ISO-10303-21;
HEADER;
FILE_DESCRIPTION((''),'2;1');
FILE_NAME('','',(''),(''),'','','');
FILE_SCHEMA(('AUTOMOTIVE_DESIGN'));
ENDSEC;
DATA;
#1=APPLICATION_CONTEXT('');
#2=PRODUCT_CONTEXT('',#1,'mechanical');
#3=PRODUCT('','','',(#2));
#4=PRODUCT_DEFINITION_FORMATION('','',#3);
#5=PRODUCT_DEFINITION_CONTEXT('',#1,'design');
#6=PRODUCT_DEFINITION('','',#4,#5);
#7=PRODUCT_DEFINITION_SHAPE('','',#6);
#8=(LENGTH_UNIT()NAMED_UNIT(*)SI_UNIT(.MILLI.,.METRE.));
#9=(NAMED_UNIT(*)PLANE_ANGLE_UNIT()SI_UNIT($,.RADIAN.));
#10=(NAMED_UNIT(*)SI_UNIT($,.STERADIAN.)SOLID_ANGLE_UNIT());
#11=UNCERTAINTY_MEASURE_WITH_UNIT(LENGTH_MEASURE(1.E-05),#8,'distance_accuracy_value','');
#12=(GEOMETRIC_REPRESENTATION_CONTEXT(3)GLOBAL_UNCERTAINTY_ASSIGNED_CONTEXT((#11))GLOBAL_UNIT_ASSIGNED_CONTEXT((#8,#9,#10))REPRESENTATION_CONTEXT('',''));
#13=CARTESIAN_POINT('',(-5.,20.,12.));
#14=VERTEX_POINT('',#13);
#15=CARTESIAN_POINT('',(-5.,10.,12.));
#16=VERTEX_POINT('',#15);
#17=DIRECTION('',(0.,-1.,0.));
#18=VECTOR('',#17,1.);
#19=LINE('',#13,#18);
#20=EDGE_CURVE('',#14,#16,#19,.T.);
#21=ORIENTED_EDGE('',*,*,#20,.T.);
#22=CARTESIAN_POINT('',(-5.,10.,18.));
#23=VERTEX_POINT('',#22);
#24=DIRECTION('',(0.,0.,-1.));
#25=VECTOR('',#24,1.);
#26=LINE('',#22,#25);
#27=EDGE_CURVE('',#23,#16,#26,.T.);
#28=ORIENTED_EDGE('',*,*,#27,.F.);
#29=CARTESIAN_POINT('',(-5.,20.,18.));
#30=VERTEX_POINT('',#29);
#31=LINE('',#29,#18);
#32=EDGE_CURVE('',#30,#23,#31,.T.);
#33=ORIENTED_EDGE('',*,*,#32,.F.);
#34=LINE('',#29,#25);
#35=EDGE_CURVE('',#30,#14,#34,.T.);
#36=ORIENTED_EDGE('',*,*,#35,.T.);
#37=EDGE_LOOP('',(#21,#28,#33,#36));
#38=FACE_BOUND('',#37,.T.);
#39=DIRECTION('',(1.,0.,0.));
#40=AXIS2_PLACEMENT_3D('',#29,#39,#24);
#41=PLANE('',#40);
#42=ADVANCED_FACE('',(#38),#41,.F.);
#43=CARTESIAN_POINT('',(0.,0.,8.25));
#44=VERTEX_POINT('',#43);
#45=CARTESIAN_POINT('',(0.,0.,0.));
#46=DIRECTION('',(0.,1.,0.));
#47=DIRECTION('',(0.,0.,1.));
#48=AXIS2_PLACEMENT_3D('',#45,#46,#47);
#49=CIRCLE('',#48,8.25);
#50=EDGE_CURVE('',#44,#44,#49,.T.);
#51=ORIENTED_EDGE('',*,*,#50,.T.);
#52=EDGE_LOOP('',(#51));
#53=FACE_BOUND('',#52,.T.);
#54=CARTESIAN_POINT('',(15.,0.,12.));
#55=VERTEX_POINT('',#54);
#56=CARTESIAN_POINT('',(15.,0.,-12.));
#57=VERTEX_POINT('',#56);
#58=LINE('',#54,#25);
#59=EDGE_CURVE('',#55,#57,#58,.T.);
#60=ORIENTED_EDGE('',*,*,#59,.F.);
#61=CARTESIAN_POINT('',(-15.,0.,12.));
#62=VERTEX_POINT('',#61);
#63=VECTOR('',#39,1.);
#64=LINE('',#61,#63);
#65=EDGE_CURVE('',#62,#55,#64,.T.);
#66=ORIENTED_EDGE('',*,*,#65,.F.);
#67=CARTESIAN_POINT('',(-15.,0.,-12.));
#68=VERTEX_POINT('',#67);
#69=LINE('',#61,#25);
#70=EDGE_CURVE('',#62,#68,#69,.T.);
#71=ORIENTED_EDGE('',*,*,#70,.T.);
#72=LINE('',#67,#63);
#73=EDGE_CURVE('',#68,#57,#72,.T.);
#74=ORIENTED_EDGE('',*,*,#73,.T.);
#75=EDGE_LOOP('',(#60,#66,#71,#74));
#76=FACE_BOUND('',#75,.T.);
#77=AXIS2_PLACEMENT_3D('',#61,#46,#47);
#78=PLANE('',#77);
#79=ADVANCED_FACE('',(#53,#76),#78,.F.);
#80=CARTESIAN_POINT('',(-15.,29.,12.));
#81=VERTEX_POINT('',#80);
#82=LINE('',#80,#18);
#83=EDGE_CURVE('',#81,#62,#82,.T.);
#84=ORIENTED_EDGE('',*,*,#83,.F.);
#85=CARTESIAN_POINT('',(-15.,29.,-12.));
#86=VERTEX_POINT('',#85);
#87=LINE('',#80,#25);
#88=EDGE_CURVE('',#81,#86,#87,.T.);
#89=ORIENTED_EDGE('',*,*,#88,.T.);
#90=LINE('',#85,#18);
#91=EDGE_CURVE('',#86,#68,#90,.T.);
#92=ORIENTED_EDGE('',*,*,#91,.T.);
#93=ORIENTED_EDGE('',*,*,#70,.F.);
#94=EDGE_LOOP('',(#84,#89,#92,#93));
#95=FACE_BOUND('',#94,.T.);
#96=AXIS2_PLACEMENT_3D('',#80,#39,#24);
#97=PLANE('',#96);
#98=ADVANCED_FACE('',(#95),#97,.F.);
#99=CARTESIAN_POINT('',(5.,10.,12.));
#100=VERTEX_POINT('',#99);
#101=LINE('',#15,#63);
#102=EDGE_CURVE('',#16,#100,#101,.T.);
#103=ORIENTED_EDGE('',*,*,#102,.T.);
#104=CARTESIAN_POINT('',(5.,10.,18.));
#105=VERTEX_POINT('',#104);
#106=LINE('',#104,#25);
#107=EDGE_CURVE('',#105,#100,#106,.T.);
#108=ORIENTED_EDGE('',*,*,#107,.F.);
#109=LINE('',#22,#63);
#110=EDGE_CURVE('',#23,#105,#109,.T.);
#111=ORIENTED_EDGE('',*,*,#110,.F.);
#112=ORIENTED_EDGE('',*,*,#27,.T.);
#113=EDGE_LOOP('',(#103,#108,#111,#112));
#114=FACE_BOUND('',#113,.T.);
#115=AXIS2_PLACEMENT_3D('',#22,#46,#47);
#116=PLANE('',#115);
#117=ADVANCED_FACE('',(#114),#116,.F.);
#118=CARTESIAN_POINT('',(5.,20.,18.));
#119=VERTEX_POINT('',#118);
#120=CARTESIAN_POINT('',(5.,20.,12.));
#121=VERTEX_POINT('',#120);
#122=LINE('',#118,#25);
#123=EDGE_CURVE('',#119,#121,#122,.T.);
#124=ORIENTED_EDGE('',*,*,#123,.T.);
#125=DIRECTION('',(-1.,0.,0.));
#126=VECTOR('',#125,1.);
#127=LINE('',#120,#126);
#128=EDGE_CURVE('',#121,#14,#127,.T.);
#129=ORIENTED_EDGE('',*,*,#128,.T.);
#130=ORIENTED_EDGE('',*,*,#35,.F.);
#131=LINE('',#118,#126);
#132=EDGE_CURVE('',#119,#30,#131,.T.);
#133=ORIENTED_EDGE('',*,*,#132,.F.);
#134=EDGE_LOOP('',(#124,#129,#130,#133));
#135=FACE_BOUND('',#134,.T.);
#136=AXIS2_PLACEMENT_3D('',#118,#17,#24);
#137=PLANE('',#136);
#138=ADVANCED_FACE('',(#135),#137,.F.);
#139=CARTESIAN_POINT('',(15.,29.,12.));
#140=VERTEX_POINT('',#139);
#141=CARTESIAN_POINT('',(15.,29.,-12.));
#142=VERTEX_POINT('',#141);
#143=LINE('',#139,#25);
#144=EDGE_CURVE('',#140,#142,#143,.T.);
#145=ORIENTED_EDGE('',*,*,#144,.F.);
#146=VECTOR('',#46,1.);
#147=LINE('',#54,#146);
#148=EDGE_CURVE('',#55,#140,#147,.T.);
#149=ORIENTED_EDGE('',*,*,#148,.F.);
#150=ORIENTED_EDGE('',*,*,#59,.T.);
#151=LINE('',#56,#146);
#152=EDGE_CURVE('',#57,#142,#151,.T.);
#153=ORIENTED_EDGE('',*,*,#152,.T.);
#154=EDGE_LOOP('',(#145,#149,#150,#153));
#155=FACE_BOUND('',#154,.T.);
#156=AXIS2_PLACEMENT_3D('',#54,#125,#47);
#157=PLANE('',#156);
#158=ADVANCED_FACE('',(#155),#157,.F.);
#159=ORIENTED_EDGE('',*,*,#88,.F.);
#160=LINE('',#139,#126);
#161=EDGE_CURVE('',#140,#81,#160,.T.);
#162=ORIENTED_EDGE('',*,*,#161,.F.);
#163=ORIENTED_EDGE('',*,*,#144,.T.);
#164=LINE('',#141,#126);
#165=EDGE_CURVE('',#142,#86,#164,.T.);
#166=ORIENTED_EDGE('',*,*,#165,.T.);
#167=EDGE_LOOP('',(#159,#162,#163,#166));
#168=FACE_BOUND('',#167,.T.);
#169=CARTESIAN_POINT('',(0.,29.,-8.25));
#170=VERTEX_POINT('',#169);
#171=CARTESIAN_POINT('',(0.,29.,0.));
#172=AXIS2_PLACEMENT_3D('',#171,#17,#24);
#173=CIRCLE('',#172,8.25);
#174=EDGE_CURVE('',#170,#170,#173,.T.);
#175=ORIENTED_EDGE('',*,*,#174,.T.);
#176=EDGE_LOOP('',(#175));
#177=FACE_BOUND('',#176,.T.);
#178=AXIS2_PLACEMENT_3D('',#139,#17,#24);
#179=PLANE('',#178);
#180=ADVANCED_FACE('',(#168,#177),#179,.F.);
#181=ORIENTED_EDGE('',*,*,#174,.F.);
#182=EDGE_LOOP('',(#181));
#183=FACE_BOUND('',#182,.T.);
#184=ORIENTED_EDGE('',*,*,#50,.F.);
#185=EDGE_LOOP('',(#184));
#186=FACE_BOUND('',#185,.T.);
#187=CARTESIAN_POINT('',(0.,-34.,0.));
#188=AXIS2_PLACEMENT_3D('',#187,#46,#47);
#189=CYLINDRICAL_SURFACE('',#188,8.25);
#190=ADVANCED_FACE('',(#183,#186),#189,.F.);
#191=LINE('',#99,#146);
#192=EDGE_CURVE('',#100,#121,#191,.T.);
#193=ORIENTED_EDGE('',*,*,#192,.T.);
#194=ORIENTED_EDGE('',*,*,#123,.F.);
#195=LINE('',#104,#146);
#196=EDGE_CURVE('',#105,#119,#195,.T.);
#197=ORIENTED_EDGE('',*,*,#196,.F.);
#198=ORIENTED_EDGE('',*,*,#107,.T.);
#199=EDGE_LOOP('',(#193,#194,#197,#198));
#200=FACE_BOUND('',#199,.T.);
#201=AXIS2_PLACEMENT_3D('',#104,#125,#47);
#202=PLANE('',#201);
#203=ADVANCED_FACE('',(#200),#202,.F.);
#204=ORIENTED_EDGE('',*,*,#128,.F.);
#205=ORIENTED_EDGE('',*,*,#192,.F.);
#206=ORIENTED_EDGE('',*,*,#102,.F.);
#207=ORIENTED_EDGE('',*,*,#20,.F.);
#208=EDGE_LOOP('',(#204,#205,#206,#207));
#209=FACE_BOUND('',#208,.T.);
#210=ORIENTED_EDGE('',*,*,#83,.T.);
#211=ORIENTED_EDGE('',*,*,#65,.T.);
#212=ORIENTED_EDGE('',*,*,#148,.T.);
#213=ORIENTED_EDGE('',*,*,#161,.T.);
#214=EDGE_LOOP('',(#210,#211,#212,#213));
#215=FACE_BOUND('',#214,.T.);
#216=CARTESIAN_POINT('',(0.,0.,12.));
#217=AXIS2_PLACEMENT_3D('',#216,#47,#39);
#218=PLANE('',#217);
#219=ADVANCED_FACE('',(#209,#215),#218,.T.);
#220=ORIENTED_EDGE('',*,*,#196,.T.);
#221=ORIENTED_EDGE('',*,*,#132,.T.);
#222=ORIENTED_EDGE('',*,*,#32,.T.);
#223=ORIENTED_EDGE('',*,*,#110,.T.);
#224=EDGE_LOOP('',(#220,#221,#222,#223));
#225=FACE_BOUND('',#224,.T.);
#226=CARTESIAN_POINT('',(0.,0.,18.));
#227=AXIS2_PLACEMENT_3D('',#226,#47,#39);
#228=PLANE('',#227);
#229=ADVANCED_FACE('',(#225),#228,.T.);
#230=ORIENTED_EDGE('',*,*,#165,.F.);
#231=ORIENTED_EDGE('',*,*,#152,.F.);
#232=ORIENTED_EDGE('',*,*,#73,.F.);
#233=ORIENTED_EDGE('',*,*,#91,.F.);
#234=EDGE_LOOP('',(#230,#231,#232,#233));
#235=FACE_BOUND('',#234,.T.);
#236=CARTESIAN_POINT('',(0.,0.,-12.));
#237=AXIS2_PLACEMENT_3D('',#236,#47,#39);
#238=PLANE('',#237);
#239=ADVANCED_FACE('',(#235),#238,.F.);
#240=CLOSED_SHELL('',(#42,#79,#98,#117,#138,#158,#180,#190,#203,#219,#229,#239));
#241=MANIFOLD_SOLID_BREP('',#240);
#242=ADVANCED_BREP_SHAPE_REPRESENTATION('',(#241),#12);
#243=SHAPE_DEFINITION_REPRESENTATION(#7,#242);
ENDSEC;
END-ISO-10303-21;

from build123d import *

# Parameters (mm, degrees)
SKETCH1_W           = 30
SKETCH1_H           = 29
BOSS_EXTRUDE1_DEPTH = 12
SKETCH2_R           = 8.25
CUT_EXTRUDE1_DEPTH  = 34
BOSS_EXTRUDE2_START = 12
SKETCH3_W           = 10
SKETCH3_H           = 10
BOSS_EXTRUDE2_DEPTH = 6


with BuildPart() as part:
    # Sketch1 → Boss-Extrude1 (new, symmetric)
    with BuildSketch(Plane.XY):
        with Locations((0, 14.5)):
            Rectangle(SKETCH1_W, SKETCH1_H)
    extrude(amount=BOSS_EXTRUDE1_DEPTH, both=True)

    # Sketch2 → Cut-Extrude1 (cut, symmetric)
    with BuildSketch(Plane(origin=(0, 0, 0), x_dir=(1, 0, 0), z_dir=(0, 1, 0))):
        with Locations(Location((0, 0, 0), (0, 0, 270))):
            Circle(SKETCH2_R)
    extrude(amount=CUT_EXTRUDE1_DEPTH, both=True, mode=Mode.SUBTRACT)

    # Sketch3 → Boss-Extrude2 (add)
    with BuildSketch(Plane.XY.offset(BOSS_EXTRUDE2_START)):
        with Locations((0, 15)):
            Rectangle(SKETCH3_W, SKETCH3_H)
    extrude(amount=BOSS_EXTRUDE2_DEPTH)


solid = part.part
